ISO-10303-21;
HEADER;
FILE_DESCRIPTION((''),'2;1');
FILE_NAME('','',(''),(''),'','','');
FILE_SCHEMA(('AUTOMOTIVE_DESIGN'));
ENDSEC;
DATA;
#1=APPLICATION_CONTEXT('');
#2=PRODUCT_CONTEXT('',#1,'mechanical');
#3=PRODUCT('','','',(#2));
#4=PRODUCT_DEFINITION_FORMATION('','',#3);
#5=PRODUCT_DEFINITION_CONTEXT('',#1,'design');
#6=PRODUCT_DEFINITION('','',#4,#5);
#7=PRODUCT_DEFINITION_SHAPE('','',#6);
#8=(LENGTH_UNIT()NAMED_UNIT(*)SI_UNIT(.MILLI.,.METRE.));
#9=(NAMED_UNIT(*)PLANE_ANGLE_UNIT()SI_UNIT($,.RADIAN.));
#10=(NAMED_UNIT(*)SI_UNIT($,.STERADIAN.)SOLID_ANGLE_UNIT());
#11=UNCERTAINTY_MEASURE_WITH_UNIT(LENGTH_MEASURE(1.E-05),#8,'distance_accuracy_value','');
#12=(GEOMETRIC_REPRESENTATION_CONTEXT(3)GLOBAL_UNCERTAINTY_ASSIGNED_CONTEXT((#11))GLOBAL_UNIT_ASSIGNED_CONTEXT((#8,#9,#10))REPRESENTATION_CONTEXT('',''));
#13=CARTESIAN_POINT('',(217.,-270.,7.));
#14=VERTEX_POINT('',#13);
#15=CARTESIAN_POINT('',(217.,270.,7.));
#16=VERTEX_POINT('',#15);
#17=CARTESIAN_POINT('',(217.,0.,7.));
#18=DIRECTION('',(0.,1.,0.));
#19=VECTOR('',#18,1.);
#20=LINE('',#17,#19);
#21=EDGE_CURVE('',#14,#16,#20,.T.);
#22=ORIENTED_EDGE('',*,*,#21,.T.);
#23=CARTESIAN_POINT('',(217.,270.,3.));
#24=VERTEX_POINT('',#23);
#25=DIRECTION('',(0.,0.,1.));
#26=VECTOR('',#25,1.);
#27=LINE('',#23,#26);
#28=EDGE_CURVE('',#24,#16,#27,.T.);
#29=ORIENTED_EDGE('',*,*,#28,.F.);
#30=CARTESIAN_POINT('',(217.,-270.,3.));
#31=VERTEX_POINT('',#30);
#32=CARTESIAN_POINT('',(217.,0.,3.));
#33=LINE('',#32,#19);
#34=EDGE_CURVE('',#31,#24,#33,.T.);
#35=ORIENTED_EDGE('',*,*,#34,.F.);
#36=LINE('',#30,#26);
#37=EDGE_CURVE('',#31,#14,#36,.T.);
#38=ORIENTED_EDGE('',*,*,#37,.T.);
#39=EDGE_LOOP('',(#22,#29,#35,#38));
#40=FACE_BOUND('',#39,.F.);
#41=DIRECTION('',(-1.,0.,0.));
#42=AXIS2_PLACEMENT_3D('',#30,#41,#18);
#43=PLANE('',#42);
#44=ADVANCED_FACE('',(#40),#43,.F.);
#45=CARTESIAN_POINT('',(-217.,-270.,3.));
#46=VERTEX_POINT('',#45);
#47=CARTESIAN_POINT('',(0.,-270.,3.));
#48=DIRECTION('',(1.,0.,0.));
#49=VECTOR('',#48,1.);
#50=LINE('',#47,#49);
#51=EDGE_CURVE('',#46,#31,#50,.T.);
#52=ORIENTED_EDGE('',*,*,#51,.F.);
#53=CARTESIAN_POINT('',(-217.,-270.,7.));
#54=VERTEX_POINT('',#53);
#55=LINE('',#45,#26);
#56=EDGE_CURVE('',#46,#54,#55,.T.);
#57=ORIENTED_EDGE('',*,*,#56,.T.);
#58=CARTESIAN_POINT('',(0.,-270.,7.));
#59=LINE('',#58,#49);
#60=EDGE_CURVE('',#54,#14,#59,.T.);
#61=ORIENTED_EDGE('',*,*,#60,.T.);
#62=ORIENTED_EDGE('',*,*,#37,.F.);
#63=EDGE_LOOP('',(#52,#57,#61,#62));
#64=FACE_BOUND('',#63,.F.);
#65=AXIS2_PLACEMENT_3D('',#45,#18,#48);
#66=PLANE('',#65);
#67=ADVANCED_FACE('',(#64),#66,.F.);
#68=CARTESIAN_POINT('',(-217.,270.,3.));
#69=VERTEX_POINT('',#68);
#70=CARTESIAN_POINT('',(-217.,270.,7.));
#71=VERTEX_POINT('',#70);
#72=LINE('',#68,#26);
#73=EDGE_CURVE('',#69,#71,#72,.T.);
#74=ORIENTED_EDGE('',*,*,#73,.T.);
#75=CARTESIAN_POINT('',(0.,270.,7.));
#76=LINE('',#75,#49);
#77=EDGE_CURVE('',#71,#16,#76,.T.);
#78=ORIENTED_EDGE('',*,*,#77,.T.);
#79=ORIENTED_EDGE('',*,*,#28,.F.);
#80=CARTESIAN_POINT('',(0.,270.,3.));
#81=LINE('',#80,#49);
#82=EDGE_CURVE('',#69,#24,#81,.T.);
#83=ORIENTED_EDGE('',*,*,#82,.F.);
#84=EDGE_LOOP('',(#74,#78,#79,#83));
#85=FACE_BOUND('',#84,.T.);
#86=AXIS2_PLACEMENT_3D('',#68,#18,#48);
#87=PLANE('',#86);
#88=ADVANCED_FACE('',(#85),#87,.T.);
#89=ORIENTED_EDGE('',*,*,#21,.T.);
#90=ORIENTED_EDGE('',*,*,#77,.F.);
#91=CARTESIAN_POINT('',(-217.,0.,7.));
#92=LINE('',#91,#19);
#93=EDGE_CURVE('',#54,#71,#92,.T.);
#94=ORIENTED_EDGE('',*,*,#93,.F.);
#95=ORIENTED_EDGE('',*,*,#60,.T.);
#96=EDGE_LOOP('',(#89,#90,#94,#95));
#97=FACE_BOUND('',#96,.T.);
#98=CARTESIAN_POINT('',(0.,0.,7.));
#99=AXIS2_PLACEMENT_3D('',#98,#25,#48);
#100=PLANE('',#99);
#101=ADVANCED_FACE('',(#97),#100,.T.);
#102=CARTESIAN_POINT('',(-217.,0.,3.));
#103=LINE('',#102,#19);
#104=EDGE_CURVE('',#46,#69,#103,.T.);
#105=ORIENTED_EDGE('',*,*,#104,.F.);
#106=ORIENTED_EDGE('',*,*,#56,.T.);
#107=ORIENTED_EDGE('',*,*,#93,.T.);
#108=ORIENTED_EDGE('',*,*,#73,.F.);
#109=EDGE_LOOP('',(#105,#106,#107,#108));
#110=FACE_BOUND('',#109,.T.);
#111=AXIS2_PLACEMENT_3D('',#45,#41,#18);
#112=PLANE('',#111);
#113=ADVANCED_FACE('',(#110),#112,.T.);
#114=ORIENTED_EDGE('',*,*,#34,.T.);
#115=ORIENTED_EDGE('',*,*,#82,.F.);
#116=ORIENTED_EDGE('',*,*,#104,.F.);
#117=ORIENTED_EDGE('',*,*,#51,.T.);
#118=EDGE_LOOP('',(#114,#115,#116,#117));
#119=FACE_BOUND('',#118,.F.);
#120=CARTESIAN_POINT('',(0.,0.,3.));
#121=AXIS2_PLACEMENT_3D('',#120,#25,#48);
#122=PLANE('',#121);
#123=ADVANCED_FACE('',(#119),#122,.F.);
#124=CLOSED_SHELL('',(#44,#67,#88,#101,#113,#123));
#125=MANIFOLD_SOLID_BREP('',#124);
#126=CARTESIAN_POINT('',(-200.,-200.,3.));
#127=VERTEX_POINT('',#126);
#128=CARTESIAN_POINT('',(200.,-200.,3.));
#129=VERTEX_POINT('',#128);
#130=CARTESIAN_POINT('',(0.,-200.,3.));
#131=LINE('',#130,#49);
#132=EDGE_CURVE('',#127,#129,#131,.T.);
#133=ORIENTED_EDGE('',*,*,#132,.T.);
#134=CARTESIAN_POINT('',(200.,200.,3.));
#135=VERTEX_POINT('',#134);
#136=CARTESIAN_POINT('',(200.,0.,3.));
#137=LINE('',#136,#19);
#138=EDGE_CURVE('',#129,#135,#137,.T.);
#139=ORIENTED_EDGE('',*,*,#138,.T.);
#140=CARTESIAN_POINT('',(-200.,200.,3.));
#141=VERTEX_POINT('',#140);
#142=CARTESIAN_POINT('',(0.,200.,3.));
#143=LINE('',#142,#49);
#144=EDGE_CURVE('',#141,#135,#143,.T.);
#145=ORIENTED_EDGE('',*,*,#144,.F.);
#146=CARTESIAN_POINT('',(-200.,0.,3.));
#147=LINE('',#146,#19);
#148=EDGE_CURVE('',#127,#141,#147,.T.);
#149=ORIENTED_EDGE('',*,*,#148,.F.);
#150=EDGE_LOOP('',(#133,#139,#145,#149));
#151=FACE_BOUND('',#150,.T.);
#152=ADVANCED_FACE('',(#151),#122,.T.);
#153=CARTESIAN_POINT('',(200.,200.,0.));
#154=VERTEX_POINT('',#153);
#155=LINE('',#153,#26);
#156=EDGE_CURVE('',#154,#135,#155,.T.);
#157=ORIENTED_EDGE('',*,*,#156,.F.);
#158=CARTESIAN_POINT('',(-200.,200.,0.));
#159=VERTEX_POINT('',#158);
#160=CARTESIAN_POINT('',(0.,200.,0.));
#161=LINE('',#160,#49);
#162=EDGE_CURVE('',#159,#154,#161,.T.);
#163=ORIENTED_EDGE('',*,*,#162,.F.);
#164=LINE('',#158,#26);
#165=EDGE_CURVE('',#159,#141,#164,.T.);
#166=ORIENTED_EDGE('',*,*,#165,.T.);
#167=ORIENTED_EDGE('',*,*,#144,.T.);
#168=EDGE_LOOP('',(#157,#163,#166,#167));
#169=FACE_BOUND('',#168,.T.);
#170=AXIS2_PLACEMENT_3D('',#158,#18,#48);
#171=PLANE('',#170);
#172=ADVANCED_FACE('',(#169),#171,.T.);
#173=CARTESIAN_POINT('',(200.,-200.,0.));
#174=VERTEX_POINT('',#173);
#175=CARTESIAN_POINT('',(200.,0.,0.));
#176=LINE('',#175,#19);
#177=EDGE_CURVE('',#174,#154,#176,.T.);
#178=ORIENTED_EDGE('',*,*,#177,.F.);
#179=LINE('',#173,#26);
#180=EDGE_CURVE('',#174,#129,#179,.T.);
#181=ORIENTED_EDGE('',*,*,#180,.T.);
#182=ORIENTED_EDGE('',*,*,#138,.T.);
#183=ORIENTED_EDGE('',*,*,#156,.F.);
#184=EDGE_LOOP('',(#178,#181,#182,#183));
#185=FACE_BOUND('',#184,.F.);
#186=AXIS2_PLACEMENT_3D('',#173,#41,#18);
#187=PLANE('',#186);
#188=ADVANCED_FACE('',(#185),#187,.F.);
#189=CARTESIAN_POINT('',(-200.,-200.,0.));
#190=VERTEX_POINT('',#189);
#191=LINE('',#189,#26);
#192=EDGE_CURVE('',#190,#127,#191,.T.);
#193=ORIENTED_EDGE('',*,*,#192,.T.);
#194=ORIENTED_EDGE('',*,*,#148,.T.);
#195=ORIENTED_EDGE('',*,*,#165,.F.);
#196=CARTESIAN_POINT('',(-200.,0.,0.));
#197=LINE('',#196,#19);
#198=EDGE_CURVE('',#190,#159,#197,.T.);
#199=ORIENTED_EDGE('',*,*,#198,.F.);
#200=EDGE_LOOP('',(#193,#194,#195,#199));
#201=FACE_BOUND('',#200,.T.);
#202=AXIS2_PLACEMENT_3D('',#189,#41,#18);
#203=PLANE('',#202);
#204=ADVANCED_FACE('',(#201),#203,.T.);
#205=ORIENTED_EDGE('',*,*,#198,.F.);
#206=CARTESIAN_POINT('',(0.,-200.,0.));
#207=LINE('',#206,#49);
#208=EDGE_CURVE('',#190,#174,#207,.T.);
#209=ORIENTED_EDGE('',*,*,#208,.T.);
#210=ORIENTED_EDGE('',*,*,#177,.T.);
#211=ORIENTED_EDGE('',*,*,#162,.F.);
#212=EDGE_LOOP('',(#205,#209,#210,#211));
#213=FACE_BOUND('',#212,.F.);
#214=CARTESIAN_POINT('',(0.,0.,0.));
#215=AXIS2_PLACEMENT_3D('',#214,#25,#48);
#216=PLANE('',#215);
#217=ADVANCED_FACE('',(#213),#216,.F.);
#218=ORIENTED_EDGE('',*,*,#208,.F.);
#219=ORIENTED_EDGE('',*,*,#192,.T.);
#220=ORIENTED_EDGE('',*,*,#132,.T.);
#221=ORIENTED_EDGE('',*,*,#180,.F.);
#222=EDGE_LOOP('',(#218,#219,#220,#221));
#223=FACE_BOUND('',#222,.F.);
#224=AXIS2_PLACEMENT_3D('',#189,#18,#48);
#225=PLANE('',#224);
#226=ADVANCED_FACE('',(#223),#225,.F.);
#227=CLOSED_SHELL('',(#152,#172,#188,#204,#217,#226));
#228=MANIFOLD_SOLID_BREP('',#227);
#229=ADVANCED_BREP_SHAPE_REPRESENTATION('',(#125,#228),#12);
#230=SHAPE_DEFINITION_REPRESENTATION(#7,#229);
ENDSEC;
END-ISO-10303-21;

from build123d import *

# Parameters (mm, degrees)
F0_W     = 400
F0_H     = 400
F1_DEPTH = 3
F2_W     = 434
F2_H     = 540
F2_W_2   = 400
F2_H_2   = 400
F3_DEPTH = 4


with BuildPart() as f1:
    # F0 (on Top) → F1 (new body)
    with BuildSketch(Plane.XY):
        Rectangle(F0_W, F0_H)
    extrude(amount=F1_DEPTH)


with BuildPart() as f3:
    # F2 (on face) → F3 (new body)
    with BuildSketch(Plane.XY.offset(3)):
        Rectangle(F2_W, F2_H)
        Rectangle(F2_W_2, F2_H_2, mode=Mode.SUBTRACT)
        Rectangle(F2_W_2, F2_H_2)
    extrude(amount=F3_DEPTH)


solid = Compound([f1.part, f3.part])
